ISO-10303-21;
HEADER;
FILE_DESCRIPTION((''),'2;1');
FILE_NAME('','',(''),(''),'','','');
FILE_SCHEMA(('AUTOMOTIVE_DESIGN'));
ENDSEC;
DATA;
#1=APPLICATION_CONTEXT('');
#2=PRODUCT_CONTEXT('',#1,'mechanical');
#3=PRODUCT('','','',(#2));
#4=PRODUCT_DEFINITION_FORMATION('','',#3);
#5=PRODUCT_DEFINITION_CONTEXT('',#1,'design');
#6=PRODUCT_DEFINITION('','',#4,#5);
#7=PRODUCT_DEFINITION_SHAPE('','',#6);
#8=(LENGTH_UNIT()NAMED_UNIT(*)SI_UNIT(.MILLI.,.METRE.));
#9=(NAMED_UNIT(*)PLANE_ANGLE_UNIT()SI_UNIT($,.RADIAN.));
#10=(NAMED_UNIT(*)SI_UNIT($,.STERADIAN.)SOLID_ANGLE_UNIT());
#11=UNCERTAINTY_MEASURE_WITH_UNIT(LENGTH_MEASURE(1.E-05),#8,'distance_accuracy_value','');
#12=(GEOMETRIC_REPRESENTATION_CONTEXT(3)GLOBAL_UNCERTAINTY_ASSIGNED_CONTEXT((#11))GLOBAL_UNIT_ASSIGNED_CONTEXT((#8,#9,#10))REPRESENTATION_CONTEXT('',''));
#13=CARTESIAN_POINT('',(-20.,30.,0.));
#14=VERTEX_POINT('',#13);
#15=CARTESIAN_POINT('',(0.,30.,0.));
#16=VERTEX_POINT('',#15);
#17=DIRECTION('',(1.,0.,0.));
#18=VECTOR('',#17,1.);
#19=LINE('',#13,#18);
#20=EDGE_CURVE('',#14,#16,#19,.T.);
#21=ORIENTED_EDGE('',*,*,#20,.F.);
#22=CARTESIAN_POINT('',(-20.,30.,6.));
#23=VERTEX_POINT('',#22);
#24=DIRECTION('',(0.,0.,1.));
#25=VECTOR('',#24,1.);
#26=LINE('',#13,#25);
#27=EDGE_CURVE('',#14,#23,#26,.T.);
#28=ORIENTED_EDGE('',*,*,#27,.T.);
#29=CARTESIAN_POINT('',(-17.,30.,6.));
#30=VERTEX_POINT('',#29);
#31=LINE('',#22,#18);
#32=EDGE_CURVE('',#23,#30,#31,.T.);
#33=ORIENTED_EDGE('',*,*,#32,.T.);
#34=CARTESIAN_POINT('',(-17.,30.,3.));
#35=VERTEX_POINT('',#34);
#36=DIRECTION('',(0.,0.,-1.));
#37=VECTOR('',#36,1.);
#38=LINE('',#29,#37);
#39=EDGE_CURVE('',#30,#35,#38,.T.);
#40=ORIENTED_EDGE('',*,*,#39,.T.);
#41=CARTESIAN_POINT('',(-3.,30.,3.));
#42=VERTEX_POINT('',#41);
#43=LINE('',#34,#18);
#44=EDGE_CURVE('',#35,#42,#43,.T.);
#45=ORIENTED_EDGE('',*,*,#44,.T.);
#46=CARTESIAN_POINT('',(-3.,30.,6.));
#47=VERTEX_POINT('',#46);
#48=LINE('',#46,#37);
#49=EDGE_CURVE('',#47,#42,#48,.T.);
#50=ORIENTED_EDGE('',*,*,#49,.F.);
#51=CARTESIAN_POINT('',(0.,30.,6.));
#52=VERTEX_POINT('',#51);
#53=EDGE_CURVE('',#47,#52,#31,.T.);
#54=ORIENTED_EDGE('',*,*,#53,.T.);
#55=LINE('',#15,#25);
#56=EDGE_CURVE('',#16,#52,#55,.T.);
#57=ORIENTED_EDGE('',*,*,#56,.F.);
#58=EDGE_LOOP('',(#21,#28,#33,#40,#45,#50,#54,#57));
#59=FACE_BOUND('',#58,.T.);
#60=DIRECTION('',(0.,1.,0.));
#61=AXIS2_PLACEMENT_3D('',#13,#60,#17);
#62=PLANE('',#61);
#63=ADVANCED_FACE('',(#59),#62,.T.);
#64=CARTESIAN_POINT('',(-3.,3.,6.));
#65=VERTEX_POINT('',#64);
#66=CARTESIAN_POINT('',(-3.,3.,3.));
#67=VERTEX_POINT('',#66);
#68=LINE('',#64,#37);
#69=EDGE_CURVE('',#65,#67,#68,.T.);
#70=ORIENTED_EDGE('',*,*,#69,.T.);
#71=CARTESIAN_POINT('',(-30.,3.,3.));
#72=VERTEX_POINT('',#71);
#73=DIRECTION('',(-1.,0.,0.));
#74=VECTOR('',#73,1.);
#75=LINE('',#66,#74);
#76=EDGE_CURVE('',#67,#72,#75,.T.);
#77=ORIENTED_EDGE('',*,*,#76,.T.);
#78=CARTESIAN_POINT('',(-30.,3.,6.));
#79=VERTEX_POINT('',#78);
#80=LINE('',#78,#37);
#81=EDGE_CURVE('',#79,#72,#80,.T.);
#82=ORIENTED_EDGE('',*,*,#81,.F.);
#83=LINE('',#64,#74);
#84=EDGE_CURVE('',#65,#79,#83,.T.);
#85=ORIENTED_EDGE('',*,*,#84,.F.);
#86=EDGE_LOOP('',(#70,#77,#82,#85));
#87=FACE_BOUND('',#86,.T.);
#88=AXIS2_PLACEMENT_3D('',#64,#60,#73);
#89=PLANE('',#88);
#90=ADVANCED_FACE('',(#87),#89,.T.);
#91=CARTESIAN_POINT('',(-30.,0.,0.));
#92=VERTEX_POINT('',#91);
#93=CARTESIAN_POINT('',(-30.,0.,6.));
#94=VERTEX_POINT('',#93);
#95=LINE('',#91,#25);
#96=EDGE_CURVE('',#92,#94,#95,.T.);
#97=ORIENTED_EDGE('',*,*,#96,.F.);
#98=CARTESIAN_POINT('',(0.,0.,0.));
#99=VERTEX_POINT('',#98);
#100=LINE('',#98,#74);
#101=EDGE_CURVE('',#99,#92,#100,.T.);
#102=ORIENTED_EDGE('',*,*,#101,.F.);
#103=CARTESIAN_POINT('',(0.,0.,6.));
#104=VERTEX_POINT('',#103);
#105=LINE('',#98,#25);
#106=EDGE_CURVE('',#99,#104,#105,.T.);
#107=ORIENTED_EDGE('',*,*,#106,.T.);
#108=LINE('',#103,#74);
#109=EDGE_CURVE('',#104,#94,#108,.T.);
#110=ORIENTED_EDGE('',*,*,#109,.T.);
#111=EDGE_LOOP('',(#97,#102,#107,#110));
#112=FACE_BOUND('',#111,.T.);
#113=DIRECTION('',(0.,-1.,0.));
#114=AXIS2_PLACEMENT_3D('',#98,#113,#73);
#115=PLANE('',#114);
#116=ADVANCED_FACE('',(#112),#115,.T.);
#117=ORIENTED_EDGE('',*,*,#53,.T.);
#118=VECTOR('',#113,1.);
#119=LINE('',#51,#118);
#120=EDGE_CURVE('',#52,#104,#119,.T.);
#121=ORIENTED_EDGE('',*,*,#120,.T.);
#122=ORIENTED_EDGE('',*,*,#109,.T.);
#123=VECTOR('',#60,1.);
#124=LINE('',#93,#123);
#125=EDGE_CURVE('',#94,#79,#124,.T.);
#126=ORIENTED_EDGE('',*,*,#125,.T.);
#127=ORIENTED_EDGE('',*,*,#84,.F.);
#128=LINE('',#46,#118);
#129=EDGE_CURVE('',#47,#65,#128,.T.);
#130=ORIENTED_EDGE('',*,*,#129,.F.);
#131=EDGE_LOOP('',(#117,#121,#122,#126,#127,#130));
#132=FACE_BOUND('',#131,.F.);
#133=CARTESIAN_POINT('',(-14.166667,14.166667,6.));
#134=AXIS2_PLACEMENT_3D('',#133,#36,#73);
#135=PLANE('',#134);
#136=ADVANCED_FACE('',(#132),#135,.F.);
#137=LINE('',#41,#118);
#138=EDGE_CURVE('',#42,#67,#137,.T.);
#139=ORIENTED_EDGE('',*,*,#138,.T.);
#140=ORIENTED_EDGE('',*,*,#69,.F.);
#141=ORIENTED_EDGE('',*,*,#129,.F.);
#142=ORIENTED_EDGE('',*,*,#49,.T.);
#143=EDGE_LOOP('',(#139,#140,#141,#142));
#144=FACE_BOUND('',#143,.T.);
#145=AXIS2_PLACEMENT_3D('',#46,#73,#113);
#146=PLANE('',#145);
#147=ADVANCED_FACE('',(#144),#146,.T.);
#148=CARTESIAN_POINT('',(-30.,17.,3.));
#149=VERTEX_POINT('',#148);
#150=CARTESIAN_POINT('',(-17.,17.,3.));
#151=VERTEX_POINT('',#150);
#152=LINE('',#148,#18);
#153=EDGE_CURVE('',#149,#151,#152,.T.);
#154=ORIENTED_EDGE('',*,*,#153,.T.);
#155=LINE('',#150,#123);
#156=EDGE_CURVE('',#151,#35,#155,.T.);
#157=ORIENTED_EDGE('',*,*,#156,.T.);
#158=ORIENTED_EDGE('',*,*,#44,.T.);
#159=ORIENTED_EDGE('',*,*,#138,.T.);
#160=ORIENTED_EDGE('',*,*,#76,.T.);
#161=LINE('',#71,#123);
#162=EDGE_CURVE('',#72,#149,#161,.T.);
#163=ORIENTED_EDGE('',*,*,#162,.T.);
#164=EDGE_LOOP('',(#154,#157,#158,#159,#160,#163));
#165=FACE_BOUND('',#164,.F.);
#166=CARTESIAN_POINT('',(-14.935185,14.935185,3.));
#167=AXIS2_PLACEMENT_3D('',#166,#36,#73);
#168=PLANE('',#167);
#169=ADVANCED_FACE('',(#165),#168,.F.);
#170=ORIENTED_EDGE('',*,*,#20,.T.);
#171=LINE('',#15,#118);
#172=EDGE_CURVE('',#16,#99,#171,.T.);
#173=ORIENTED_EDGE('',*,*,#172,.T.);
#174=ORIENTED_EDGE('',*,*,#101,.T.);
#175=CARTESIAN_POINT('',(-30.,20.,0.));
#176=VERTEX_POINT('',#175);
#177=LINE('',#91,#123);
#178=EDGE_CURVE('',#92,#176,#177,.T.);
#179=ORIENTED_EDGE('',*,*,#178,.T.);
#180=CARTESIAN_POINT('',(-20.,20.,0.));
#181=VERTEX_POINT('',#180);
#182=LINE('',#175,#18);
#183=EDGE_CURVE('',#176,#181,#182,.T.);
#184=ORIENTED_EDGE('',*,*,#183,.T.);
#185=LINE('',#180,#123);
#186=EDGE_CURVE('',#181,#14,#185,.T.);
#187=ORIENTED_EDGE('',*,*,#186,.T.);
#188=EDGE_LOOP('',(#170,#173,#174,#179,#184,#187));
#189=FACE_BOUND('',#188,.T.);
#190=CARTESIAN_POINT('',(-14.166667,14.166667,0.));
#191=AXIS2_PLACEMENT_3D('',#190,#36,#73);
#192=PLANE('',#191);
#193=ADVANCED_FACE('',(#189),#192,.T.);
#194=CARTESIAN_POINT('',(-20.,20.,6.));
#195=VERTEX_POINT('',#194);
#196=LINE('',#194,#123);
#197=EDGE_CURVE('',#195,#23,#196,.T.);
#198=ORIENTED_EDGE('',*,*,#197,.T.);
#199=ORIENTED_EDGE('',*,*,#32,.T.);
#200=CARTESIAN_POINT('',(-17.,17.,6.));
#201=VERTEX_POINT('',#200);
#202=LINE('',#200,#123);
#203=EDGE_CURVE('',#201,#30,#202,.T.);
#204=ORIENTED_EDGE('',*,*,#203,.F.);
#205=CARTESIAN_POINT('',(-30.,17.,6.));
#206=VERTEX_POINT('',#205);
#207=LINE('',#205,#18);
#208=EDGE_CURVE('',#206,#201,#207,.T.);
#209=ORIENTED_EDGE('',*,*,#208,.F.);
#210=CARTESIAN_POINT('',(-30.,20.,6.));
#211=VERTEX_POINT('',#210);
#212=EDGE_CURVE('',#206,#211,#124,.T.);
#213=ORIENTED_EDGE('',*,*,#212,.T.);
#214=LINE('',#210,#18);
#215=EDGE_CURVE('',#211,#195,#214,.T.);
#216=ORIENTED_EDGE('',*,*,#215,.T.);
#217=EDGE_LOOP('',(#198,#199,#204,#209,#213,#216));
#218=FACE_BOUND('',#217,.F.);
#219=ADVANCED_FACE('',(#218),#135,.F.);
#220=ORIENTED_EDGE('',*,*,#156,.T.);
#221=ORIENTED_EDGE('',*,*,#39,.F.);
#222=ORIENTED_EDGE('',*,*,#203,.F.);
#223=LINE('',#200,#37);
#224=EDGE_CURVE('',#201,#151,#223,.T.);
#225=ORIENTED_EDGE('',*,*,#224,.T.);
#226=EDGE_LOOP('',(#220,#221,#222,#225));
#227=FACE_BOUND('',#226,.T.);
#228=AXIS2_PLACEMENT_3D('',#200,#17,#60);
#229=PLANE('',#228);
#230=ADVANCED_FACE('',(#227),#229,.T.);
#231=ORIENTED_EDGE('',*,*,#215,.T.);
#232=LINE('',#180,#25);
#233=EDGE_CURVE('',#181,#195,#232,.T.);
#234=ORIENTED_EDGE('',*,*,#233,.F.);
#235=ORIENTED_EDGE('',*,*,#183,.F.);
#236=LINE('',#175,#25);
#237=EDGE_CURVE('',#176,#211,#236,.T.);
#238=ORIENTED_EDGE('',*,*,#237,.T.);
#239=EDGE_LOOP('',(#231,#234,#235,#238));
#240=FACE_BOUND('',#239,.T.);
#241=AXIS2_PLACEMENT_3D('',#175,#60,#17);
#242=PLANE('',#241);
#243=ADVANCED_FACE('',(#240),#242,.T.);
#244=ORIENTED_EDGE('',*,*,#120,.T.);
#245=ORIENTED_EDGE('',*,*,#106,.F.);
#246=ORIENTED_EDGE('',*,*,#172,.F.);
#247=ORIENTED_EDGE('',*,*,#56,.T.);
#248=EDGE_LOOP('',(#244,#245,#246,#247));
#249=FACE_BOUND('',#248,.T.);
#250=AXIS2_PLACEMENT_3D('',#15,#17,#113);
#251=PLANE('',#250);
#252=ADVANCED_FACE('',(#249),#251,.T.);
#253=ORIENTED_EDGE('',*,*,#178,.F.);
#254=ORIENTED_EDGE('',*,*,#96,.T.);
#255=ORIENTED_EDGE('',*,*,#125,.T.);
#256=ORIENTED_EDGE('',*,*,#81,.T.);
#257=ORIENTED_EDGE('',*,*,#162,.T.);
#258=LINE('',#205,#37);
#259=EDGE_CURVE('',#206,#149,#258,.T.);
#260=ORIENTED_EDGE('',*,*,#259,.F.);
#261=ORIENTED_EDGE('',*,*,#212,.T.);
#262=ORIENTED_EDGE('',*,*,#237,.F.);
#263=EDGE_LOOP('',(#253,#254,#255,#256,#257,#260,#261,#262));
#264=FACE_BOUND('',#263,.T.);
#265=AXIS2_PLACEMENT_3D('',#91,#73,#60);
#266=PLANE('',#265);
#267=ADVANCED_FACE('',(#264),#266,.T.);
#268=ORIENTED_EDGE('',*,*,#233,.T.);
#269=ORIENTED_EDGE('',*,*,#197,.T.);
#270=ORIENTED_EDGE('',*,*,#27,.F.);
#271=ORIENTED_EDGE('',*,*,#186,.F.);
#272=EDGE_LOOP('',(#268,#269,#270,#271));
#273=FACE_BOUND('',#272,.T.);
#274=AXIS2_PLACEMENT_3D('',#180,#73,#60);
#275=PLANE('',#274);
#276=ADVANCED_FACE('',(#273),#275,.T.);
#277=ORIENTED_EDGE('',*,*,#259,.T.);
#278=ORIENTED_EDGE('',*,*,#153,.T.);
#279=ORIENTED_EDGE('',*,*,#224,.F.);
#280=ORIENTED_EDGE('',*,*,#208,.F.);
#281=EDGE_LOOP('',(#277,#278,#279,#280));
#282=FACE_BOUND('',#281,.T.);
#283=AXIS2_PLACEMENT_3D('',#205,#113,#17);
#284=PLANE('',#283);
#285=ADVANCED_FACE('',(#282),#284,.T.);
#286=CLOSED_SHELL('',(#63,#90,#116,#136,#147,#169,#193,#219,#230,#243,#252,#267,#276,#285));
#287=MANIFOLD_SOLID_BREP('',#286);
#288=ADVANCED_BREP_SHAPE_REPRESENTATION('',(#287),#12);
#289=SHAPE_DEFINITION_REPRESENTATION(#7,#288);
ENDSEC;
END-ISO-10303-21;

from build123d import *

# Parameters (mm, degrees)
PAD_DEPTH    = 6
POCKET_DEPTH = 3


with BuildPart() as part:
    # Sketch → Pad (new body)
    with BuildSketch(Plane.XY):
        Polygon((0, 30), (0, 0), (-30, 0), (-30, 20), (-20, 20), (-20, 30), align=None)
    extrude(amount=PAD_DEPTH)

    # Sketch001 (on Face8 of Pad) → Pocket (cut)
    with BuildSketch(Plane.XY.offset(6)):
        Polygon((-17, 30), (-3, 30), (-3, 3), (-30, 3), (-30, 17), (-17, 17), align=None)
    extrude(amount=-POCKET_DEPTH, mode=Mode.SUBTRACT)


solid = part.part
